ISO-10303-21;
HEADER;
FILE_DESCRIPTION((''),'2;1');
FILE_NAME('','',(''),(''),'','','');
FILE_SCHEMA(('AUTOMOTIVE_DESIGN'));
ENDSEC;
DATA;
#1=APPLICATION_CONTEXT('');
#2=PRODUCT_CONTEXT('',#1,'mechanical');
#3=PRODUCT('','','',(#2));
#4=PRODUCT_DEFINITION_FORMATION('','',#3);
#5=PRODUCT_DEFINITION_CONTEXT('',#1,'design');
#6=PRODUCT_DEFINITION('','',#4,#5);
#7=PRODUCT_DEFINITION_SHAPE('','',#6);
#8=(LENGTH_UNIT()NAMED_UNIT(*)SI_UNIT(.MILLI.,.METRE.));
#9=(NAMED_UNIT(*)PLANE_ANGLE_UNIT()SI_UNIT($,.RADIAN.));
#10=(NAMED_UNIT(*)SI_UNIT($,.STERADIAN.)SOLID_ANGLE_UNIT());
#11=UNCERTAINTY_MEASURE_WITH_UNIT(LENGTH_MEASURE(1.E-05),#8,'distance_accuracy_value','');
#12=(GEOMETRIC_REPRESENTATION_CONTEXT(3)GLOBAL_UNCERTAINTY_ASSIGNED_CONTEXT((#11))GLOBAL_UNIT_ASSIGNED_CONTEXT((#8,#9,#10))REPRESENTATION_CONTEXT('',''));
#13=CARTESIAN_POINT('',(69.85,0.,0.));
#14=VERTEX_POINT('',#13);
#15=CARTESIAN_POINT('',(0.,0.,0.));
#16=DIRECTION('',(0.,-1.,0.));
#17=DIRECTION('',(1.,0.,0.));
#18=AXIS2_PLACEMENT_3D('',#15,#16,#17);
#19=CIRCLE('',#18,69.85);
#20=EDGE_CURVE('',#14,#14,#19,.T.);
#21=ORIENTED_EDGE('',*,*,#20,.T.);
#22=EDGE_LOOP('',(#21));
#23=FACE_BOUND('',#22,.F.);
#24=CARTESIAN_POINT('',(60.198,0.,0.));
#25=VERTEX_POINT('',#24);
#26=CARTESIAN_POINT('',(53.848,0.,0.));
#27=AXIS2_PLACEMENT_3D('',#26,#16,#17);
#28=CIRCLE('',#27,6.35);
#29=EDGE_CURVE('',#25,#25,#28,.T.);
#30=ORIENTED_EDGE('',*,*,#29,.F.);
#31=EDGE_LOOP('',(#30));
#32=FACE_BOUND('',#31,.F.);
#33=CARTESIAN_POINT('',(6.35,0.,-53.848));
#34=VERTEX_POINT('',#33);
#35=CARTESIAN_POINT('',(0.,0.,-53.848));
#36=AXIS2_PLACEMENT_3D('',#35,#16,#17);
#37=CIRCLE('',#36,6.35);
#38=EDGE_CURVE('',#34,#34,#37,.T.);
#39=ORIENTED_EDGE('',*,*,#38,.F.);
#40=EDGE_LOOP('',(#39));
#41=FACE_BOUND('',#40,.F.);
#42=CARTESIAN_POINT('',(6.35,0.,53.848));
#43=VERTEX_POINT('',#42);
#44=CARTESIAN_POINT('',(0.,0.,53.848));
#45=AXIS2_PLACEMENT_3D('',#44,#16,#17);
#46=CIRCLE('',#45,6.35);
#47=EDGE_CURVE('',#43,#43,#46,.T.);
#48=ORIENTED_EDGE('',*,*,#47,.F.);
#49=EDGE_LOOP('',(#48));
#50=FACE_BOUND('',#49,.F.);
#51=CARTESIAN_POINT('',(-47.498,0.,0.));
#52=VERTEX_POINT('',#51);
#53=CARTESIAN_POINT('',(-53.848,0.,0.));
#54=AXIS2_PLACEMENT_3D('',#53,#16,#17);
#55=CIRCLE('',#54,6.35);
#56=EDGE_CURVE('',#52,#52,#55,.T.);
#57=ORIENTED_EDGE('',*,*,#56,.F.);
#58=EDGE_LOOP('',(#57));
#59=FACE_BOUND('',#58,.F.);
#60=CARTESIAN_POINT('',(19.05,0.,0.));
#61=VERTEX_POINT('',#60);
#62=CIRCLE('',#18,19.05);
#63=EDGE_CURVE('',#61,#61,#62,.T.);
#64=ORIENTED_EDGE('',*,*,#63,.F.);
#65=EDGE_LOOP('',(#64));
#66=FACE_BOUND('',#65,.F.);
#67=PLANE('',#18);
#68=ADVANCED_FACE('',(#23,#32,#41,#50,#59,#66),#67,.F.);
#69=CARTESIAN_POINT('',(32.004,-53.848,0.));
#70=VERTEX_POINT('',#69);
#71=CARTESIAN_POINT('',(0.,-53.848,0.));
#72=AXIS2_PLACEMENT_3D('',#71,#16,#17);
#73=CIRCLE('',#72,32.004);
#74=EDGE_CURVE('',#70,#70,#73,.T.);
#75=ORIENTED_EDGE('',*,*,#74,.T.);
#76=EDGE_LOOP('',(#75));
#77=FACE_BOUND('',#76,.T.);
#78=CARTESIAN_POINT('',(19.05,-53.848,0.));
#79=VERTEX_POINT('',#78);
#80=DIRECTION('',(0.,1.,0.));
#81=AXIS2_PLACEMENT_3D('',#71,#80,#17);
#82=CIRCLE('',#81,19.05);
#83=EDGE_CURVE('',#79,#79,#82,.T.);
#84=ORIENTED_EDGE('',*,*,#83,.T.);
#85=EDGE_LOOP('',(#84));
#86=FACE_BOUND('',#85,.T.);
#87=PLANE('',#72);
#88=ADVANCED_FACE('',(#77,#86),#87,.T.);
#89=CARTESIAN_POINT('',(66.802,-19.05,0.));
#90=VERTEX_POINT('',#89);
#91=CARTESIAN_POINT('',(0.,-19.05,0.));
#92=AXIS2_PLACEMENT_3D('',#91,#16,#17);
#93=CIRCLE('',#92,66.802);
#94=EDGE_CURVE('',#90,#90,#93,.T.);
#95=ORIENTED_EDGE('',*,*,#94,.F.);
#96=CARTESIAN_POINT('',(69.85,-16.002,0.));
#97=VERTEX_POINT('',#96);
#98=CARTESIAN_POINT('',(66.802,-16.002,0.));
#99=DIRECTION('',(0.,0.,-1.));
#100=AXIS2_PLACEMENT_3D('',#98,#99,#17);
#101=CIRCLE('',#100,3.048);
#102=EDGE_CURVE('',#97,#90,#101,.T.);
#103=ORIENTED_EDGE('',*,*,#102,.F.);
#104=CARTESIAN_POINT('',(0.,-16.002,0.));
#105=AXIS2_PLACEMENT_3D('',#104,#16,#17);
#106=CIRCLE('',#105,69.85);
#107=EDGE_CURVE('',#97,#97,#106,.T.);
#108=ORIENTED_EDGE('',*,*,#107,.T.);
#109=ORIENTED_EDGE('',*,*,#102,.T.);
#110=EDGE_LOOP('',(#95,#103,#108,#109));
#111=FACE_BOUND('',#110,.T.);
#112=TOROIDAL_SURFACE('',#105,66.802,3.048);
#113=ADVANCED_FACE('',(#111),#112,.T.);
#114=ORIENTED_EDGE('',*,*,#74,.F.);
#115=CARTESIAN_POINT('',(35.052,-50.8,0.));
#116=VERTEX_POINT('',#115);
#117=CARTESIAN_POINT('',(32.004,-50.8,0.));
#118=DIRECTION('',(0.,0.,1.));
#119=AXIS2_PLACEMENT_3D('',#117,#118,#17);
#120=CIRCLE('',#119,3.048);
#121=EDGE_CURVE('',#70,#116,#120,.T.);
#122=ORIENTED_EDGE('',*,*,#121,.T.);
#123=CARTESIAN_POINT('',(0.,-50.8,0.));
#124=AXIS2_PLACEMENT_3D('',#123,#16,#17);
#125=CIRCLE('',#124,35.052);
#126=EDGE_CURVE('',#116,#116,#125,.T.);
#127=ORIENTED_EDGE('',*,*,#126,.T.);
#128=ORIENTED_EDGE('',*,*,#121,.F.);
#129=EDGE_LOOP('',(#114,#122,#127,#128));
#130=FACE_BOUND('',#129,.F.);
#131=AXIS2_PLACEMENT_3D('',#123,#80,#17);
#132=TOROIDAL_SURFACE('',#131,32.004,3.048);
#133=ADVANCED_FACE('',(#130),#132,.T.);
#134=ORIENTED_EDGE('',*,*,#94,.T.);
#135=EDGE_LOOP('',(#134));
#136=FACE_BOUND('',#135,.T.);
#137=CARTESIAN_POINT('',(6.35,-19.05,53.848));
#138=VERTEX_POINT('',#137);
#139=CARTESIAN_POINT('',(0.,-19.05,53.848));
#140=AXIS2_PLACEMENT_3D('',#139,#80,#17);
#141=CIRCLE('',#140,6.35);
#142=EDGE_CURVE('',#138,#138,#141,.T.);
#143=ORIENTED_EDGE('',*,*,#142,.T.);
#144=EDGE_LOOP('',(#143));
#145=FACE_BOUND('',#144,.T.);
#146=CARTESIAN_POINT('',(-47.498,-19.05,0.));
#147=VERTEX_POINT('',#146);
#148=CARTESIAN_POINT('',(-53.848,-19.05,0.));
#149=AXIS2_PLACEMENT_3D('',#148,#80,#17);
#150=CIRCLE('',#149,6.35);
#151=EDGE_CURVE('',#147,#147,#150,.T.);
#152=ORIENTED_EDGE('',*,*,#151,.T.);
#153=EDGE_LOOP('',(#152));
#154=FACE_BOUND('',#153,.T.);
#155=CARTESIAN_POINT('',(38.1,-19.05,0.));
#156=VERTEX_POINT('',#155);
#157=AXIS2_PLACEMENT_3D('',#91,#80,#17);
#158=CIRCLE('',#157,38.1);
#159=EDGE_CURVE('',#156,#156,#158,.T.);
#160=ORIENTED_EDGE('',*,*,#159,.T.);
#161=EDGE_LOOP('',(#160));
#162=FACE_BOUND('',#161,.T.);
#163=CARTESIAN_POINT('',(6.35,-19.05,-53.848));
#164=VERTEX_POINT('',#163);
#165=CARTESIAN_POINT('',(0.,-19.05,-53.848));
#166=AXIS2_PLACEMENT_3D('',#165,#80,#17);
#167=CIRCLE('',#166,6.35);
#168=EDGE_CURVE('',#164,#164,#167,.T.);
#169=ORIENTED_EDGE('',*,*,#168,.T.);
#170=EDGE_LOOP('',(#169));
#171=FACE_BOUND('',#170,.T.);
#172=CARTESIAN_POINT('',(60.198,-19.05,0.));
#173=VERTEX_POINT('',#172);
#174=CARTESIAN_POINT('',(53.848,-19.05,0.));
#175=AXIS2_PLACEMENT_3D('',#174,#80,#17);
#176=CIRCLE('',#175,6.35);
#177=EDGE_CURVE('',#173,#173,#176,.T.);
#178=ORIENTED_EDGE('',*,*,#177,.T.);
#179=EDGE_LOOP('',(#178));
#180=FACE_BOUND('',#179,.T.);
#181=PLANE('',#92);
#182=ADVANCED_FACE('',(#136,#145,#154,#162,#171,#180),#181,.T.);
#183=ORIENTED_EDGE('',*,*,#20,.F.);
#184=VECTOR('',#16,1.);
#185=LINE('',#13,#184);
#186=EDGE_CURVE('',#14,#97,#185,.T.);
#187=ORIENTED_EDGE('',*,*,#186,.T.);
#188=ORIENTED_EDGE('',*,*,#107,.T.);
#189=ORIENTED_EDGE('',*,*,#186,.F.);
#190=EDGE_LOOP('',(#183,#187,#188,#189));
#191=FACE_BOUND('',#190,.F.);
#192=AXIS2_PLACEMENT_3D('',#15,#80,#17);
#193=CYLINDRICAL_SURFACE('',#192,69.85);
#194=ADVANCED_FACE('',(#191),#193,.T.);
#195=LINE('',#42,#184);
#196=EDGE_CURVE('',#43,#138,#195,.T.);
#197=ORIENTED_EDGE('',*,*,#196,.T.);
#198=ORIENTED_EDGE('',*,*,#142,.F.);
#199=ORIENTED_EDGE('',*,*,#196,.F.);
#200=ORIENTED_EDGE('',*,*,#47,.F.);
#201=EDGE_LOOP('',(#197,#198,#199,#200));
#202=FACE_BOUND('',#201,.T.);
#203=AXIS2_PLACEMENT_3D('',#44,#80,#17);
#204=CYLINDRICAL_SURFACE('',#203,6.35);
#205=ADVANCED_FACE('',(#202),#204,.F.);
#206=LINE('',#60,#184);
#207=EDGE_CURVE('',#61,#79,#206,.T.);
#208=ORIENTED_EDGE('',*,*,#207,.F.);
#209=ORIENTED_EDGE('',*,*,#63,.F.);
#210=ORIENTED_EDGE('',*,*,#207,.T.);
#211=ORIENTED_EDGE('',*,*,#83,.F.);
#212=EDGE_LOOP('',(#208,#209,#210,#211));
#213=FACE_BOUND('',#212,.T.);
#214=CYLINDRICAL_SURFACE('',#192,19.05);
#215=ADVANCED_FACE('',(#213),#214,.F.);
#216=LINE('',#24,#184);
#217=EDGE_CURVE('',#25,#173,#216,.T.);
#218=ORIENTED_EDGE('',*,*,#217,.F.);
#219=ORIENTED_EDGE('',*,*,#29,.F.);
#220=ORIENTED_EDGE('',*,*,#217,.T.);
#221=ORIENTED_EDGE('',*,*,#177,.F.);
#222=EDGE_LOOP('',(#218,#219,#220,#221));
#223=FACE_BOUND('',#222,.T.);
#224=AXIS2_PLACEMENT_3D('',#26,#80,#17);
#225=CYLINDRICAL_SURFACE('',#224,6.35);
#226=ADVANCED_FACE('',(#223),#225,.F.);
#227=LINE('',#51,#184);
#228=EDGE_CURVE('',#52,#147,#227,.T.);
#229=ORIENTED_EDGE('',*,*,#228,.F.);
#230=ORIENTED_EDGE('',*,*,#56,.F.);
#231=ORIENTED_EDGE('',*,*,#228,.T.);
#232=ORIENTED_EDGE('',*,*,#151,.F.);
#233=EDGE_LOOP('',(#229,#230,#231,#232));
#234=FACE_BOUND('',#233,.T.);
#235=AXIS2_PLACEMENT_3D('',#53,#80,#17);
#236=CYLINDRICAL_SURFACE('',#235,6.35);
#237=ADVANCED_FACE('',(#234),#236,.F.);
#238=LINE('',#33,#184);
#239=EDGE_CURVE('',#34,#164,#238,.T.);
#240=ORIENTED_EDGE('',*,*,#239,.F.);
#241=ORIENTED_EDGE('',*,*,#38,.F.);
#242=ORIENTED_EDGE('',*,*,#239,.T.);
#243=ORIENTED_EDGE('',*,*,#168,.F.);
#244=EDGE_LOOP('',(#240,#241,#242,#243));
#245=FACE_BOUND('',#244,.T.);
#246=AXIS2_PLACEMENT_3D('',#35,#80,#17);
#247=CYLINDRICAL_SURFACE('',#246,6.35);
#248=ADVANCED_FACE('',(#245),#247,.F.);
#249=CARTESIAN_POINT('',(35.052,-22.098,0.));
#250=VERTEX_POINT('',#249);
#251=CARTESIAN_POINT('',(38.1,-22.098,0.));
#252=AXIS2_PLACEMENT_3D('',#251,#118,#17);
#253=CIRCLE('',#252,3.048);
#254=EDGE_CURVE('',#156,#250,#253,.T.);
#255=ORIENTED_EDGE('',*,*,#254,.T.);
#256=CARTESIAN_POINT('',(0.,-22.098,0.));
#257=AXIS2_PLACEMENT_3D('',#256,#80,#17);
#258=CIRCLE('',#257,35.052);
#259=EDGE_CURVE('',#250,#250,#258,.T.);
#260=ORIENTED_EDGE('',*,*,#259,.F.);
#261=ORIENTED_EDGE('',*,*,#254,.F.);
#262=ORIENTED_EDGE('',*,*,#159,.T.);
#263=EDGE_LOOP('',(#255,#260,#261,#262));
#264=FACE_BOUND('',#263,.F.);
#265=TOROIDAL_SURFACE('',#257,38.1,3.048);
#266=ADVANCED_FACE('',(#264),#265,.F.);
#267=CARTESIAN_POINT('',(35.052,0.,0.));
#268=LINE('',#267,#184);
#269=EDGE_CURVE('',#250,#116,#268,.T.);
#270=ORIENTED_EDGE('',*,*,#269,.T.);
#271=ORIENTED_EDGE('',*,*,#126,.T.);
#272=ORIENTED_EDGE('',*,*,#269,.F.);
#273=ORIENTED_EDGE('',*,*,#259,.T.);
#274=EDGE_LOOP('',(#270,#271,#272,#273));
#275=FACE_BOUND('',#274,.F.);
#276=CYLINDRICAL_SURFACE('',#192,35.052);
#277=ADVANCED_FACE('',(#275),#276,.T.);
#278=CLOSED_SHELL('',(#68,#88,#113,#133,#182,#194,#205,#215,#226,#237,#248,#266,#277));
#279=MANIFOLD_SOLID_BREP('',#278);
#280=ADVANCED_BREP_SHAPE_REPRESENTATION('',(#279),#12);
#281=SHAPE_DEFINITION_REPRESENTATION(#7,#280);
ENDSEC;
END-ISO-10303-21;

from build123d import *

# Parameters (mm, degrees)
F0_R     = 69.85
F1_DEPTH = 19.05
F2_R     = 35.052
F3_DEPTH = 53.848
F4_R     = 19.05
F5_DEPTH = 53.849
F6_R     = 6.35
F7_DEPTH = 53.849
F8_R     = 3.048


with BuildPart() as f1:
    # F0 (on Front) → F1 (new body)
    with BuildSketch(Plane.XZ):
        Circle(F0_R)
    extrude(amount=F1_DEPTH)

    # F2 (on Front) → F3 (join)
    with BuildSketch(Plane.XZ):
        Circle(F2_R)
    extrude(amount=F3_DEPTH)

    # F4 (on Front) → F5 (cut, through all)
    with BuildSketch(Plane.XZ):
        Circle(F4_R)
    extrude(amount=F5_DEPTH, mode=Mode.SUBTRACT)

    # F6 (on Front) → F7 (cut, through all)
    with BuildSketch(Plane.XZ):
        with Locations((53.848, 0)):
            Circle(F6_R)
        with Locations((0, 53.848)):
            Circle(F6_R)
        with Locations((-53.848, 0)):
            Circle(F6_R)
        with Locations((0, -53.848)):
            Circle(F6_R)
    extrude(amount=F7_DEPTH, mode=Mode.SUBTRACT)

    # F8
    f8_edges = [f1.edges().sort_by_distance(p)[0] for p in [
        (-69.85, -19.05, 0),
        (-35.052, -19.05, 0),
        (-35.052, -53.848, 0),
    ]]
    fillet(f8_edges, radius=F8_R)


solid = f1.part
